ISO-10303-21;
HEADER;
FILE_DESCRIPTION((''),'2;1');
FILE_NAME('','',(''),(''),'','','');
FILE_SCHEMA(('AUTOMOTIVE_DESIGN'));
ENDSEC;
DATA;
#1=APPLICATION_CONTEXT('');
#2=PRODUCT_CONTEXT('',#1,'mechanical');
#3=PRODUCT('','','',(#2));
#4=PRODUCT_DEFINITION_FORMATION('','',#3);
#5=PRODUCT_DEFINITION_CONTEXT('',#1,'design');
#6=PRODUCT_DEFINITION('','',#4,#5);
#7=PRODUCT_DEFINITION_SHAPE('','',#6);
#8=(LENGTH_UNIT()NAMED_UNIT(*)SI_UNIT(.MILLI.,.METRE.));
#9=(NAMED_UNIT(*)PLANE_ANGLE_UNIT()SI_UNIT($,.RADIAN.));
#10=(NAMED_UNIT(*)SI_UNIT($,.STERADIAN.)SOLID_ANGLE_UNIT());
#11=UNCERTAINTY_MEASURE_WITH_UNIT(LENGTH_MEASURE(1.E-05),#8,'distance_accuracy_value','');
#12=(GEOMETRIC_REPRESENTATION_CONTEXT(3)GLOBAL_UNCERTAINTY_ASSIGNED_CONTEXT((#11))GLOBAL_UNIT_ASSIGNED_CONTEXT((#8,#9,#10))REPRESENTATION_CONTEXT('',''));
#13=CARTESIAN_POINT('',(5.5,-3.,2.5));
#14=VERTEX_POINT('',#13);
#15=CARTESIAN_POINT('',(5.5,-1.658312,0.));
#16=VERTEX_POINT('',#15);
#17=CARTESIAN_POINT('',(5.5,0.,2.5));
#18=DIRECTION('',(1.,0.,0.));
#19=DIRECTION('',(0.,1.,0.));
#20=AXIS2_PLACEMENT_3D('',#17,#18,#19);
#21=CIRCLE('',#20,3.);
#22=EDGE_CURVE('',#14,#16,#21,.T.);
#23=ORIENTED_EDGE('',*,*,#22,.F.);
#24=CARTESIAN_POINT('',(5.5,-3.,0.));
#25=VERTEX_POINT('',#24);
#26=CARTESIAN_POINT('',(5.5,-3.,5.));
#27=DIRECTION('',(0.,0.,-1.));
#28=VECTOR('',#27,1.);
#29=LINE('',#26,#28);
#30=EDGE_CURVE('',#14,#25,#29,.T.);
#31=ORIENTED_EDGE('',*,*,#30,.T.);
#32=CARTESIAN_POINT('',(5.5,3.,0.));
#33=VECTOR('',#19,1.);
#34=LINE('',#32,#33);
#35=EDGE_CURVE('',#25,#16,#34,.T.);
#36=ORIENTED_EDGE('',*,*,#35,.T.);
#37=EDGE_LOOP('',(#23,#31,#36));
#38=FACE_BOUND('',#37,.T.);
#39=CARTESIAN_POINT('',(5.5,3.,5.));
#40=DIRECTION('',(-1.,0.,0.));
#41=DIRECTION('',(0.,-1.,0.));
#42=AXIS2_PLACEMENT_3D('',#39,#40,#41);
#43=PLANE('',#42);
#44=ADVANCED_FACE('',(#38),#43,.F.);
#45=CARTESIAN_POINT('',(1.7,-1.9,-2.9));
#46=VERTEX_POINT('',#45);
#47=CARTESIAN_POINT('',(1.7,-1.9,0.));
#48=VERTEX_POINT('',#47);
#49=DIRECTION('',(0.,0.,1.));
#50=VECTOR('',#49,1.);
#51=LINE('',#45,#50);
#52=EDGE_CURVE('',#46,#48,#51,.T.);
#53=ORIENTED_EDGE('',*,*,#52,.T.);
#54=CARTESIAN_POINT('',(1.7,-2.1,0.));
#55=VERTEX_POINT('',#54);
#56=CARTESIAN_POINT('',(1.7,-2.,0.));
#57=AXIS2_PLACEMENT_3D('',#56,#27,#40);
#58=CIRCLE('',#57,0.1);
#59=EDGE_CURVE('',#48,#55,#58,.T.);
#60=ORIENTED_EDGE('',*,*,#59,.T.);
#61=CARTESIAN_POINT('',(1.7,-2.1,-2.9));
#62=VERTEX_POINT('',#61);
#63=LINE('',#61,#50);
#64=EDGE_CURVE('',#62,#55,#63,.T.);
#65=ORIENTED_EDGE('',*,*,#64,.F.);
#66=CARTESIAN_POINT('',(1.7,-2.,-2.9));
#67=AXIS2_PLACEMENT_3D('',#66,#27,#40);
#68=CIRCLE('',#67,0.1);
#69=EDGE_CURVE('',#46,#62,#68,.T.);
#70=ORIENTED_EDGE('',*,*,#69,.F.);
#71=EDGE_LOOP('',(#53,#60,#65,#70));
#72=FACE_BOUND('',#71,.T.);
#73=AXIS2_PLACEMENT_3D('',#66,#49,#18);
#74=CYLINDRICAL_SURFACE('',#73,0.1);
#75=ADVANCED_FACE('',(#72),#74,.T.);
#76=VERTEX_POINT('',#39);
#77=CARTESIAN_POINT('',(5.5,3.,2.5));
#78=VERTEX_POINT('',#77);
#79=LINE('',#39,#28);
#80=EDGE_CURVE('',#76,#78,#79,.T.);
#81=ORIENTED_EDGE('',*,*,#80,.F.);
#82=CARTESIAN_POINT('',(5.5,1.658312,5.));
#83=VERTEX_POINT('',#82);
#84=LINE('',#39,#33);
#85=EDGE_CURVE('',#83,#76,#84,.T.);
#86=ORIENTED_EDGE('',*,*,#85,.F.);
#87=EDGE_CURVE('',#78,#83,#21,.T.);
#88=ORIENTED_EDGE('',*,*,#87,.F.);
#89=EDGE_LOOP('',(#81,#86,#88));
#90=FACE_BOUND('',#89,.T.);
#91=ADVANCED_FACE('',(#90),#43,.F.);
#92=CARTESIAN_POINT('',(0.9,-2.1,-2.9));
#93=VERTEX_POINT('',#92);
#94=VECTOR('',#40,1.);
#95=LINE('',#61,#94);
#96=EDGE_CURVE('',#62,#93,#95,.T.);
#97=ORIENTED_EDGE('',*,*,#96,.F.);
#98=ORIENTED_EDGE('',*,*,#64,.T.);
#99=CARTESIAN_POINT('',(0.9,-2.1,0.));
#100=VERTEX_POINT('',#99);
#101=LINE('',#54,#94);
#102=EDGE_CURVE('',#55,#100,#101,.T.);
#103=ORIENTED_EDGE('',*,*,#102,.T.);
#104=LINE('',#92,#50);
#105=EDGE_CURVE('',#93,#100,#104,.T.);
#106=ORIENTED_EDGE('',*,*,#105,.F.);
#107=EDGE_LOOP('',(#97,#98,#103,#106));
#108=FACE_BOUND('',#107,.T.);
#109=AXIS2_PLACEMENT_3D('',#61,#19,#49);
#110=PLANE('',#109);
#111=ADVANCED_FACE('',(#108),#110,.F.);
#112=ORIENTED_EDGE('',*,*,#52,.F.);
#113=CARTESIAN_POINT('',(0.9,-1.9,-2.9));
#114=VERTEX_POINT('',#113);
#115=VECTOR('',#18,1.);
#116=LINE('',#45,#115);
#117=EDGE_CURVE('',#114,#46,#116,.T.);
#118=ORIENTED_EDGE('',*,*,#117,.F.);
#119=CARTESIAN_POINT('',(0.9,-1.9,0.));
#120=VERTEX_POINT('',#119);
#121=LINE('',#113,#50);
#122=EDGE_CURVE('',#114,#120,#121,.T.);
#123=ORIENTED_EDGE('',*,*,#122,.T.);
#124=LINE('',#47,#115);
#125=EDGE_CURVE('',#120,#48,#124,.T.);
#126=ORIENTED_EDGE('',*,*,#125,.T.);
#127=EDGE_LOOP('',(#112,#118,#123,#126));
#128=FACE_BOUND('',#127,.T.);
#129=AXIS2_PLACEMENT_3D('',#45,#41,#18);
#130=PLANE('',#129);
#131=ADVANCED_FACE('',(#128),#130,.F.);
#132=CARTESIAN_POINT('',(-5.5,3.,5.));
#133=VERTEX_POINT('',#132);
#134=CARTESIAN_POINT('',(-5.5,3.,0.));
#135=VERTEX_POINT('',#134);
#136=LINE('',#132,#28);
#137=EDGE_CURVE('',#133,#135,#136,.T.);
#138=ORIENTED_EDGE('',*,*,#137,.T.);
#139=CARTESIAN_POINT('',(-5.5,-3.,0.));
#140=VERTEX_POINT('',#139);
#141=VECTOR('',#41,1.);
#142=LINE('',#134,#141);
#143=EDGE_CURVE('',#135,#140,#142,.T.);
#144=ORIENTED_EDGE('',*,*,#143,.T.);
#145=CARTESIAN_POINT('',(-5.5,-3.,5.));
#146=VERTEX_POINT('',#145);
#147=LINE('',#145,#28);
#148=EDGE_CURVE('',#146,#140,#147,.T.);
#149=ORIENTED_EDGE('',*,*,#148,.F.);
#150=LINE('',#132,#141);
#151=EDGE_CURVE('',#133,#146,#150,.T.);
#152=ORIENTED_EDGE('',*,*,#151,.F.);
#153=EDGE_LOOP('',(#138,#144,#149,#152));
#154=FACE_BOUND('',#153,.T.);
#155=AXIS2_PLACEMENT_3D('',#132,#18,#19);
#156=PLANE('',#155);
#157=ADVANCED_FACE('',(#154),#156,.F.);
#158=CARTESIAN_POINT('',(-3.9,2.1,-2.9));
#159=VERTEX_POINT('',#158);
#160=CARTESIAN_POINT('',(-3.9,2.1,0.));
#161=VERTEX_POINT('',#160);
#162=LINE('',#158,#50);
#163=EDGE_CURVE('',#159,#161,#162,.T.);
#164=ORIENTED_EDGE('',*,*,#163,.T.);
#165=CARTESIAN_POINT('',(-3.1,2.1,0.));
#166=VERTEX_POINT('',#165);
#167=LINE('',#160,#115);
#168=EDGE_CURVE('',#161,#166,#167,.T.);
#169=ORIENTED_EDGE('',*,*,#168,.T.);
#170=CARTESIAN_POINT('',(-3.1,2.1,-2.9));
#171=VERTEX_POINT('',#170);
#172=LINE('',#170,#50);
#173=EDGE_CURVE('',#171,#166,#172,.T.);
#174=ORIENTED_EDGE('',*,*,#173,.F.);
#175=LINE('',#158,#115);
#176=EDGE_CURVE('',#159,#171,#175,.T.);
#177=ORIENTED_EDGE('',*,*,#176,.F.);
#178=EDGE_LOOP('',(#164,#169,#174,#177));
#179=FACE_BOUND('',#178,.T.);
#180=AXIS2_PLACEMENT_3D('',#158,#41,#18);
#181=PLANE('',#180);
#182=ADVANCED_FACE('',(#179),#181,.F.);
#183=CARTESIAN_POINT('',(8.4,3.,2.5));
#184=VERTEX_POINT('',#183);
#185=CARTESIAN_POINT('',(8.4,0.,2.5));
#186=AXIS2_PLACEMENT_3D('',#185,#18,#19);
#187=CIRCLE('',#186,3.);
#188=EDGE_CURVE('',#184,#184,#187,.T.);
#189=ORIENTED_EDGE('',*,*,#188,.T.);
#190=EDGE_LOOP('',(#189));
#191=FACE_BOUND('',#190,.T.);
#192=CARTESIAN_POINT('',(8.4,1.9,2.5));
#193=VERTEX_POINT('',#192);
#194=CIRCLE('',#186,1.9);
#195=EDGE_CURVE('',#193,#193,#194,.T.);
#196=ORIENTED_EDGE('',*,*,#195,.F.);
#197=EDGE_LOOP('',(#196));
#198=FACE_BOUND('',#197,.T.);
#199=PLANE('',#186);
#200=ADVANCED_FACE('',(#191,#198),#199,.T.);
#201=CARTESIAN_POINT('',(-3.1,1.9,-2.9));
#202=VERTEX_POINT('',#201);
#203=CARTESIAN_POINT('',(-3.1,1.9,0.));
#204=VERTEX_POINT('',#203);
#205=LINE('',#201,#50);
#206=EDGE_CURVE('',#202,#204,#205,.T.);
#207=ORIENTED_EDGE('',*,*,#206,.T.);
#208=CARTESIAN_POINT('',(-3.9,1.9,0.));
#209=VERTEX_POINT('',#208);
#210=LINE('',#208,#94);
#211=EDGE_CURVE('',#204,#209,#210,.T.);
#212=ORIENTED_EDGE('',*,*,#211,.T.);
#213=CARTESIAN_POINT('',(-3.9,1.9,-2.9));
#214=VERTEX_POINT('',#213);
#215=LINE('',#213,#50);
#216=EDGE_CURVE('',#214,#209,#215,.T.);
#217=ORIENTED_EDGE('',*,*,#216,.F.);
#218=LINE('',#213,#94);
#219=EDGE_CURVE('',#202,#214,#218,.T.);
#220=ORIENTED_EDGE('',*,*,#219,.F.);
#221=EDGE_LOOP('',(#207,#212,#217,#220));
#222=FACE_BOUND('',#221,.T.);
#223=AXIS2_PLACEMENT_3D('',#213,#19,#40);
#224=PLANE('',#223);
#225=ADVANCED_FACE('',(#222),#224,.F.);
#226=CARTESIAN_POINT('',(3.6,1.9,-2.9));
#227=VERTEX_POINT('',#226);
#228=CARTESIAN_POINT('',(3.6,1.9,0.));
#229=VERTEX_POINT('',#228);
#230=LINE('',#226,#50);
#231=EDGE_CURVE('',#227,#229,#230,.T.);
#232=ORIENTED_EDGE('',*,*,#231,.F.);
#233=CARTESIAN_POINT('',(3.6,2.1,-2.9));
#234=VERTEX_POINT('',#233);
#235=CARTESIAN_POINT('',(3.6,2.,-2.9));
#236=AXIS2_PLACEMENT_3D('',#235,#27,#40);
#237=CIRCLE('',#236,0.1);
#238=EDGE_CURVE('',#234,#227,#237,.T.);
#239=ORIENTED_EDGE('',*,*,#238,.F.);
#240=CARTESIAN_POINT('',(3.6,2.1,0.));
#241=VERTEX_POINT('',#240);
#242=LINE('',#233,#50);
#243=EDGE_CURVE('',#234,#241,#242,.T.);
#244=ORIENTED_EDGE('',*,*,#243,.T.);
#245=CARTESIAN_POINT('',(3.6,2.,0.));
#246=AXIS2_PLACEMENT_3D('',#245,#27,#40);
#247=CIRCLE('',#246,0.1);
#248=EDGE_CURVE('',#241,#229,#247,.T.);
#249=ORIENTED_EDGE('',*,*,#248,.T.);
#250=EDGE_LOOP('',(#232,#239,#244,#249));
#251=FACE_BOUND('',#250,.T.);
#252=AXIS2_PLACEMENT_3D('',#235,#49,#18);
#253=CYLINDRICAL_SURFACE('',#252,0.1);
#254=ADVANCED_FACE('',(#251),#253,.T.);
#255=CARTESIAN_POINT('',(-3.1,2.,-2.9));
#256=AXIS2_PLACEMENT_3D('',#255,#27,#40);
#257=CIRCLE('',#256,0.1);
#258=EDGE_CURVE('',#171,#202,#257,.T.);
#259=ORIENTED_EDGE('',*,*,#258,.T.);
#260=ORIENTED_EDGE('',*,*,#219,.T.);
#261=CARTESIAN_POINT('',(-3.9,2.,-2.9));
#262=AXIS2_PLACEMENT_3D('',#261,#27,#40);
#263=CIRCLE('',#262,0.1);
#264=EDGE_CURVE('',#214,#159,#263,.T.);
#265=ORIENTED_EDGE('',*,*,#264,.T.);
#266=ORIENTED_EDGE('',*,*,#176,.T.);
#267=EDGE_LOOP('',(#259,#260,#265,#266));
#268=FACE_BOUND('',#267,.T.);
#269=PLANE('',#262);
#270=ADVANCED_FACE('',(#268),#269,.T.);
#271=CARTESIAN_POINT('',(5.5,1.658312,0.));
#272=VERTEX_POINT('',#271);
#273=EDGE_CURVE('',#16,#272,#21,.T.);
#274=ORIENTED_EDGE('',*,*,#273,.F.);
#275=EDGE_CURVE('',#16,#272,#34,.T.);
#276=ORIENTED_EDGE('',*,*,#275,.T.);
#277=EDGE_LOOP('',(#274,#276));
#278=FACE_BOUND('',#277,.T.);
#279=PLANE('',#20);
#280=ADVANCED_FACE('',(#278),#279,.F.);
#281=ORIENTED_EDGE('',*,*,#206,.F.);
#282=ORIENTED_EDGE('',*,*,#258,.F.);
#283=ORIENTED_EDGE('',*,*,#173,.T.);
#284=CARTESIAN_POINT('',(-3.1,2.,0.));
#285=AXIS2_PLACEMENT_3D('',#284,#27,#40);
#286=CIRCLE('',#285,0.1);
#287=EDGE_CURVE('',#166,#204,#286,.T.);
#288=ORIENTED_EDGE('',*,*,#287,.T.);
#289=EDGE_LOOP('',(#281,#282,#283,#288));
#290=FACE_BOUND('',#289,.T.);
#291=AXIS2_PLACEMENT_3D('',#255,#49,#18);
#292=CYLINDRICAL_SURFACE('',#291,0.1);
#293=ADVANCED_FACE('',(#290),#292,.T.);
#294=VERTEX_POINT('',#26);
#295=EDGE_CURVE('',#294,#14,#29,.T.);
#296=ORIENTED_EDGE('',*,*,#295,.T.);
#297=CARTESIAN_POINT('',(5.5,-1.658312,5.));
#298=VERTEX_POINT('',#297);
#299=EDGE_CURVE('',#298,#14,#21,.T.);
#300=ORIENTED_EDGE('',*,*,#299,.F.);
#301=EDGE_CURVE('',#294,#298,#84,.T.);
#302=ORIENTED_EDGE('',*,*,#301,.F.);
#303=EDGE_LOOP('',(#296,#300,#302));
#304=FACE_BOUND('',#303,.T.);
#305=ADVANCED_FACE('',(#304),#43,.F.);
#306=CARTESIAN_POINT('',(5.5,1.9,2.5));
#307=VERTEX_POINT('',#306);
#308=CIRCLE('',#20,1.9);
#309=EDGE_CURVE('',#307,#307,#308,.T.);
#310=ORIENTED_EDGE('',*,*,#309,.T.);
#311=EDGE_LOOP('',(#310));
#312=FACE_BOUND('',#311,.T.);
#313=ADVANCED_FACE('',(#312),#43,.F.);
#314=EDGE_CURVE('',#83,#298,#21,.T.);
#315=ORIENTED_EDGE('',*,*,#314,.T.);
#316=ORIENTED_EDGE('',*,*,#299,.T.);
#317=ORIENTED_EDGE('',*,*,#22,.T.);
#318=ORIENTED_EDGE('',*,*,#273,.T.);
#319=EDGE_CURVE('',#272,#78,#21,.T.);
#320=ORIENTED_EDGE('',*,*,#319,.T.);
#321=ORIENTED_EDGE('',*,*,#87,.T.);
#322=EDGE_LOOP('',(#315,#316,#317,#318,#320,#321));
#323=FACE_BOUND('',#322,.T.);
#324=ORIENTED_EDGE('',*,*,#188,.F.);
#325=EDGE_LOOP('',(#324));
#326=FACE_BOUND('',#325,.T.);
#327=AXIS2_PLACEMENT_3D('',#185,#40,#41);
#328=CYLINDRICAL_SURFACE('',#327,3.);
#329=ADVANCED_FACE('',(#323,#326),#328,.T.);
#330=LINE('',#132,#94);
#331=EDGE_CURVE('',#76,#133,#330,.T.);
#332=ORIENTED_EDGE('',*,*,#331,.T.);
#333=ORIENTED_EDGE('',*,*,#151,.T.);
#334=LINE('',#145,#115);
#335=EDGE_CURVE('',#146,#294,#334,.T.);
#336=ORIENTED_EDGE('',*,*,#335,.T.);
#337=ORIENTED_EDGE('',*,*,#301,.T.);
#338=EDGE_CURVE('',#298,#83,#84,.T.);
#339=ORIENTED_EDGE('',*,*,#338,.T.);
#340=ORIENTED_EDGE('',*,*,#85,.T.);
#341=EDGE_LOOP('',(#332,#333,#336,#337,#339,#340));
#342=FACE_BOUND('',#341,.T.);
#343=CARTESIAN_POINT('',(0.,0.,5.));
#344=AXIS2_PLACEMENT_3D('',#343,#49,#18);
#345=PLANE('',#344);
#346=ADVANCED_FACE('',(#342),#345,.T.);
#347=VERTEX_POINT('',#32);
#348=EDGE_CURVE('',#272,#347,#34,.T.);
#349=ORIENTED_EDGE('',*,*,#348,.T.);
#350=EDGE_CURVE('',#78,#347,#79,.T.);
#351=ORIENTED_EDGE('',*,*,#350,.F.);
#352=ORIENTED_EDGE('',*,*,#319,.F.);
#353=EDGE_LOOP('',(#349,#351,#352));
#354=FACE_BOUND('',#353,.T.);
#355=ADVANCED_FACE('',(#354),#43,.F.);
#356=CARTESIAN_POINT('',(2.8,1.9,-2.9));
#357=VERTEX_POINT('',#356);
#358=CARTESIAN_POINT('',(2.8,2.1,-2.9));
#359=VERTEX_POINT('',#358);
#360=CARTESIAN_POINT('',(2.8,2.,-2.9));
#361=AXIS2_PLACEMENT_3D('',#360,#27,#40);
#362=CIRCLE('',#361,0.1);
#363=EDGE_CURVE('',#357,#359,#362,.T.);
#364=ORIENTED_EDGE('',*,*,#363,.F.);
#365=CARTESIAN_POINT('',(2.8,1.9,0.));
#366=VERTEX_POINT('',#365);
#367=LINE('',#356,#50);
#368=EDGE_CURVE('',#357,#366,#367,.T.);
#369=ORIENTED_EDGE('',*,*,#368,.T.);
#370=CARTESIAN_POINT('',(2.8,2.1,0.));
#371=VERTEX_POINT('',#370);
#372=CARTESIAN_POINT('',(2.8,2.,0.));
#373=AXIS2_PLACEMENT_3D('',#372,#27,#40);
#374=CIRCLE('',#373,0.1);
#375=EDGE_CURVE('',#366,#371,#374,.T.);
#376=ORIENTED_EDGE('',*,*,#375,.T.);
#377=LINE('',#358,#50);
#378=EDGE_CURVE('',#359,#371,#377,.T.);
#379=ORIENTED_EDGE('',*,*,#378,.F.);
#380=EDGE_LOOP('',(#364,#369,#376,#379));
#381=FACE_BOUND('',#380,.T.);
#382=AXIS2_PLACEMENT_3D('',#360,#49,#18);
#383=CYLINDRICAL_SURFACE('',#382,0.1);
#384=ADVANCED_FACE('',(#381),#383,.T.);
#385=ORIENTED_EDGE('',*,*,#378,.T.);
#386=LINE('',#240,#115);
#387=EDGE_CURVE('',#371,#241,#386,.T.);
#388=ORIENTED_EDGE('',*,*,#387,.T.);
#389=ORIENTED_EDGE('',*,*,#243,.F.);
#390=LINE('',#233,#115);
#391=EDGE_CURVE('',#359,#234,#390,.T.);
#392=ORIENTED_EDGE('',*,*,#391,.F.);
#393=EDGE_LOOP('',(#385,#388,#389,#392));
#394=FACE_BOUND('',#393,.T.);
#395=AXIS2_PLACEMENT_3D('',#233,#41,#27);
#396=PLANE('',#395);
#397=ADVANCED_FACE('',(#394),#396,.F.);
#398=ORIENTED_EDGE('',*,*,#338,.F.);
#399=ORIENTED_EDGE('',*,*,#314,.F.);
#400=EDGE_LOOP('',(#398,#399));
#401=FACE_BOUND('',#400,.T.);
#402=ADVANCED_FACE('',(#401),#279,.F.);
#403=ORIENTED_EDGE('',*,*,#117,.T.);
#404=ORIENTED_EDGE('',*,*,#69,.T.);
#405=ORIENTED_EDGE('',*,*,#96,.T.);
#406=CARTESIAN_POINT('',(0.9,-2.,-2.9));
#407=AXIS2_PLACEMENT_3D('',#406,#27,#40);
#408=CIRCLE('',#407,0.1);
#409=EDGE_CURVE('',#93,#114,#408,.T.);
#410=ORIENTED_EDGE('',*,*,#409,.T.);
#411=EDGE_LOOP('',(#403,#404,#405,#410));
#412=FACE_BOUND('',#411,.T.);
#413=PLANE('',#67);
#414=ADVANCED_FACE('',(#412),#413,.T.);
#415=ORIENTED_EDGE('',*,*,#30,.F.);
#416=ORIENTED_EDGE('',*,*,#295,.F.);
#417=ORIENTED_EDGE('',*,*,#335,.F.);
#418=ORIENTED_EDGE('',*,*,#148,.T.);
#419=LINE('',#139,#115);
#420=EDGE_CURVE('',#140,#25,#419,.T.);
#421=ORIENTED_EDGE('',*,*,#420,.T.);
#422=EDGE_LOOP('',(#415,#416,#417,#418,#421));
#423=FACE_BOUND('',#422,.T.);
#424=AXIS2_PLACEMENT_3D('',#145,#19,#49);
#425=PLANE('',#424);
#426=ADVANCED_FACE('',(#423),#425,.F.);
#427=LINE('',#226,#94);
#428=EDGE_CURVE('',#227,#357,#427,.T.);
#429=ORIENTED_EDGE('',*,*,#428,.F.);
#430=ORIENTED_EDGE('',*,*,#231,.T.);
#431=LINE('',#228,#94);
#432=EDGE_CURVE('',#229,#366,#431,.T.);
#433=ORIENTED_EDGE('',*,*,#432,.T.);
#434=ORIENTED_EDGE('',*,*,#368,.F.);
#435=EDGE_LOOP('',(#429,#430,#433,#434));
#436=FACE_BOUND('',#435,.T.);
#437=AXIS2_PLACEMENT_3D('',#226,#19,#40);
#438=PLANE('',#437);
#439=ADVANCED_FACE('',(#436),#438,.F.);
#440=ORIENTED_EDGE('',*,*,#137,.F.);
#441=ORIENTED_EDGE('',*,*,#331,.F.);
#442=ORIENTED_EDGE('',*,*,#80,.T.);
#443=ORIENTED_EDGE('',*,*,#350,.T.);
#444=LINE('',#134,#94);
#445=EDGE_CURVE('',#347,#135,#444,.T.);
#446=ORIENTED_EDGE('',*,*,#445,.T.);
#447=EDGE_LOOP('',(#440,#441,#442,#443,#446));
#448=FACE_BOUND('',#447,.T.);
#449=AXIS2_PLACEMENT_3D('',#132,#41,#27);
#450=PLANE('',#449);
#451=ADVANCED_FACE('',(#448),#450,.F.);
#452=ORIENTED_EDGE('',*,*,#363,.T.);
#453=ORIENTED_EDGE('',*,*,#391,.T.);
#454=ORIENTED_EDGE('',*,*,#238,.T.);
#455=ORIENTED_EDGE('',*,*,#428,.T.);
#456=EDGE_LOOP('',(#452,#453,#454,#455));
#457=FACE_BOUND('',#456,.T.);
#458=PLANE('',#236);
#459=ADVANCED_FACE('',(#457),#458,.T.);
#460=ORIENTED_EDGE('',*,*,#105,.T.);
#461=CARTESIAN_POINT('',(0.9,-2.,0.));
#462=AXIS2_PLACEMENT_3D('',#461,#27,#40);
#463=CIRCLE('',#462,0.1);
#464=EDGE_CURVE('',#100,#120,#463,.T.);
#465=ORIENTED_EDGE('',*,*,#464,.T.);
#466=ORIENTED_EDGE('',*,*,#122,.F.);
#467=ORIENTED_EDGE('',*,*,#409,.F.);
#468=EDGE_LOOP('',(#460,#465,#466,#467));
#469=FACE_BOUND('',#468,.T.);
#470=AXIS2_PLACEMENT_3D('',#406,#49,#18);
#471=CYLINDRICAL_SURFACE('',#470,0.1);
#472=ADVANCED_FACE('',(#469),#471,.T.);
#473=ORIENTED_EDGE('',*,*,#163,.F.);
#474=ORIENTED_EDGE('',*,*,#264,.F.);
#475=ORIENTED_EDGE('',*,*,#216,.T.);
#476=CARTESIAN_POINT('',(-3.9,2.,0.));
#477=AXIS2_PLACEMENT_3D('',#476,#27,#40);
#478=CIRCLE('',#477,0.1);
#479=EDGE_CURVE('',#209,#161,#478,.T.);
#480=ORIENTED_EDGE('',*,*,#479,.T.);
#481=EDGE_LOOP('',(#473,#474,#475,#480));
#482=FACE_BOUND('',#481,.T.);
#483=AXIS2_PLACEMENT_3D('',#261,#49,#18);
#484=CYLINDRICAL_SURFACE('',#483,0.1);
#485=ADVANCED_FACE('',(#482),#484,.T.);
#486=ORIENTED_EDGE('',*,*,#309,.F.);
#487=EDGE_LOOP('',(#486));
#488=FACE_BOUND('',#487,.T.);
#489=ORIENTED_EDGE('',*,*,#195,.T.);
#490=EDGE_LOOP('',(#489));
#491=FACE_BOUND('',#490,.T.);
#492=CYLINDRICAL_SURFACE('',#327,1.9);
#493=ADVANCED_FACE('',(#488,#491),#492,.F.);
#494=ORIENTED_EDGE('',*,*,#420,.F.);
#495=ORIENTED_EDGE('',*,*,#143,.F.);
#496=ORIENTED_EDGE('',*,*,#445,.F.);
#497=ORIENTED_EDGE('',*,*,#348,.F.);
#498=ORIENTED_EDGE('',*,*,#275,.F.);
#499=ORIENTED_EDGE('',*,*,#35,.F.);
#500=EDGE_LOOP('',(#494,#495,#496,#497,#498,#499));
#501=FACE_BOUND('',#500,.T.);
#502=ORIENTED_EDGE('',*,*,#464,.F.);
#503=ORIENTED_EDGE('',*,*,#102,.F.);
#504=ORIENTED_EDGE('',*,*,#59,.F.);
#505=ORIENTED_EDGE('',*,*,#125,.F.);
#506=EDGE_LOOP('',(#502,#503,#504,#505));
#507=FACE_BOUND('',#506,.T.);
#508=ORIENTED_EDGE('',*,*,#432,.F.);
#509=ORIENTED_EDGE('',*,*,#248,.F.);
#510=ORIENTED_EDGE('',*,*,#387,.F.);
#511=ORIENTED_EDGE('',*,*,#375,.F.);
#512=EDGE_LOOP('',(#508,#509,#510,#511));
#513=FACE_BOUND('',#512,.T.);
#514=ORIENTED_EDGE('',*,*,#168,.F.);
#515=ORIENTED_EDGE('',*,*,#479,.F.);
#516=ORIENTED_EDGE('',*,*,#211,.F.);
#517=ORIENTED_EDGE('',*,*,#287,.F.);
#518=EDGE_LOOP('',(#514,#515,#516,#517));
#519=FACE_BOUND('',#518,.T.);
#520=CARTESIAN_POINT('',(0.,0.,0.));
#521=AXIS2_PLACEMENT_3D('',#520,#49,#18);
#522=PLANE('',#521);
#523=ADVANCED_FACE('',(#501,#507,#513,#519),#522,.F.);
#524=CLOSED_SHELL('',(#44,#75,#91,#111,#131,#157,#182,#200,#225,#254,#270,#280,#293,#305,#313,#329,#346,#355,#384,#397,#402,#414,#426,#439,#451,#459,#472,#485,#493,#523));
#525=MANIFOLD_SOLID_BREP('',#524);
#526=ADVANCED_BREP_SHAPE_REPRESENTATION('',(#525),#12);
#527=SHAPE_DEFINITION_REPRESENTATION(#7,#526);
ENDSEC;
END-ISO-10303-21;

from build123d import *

# Parameters (mm, degrees)
SKETCH1_W           = 11
SKETCH1_H           = 6
BOSS_EXTRUDE1_DEPTH = 5
SKETCH2_R           = 3
SKETCH2_R_2         = 1.9
BOSS_EXTRUDE2_DEPTH = 2.9
BOSS_EXTRUDE3_DEPTH = 2.9


with BuildPart() as part:
    # Sketch1 → Boss-Extrude1 (new body)
    with BuildSketch(Plane.XY):
        Rectangle(SKETCH1_W, SKETCH1_H)
    extrude(amount=BOSS_EXTRUDE1_DEPTH)

    # Sketch2 → Boss-Extrude2 (add)
    with BuildSketch(Plane(origin=(5.5, 0, 0), x_dir=(0, 0, -1), z_dir=(1, 0, 0))):
        with Locations(Location((-2.5, 0, 0), (0, 0, 90))):
            Circle(SKETCH2_R)
        with Locations(Location((-2.5, 0, 0), (0, 0, 90))):
            Circle(SKETCH2_R_2, mode=Mode.SUBTRACT)
    extrude(amount=BOSS_EXTRUDE2_DEPTH)

    # Sketch3 → Boss-Extrude3 (add)
    with BuildSketch(Plane(origin=(0, 0, 0), x_dir=(-1, 0, 0), z_dir=(0, 0, -1))):
        with BuildLine():
            Line((-3.6, 2.1), (-2.8, 2.1))
            ThreePointArc((-2.8, 2.1), (-2.7, 2), (-2.8, 1.9))
            Line((-2.8, 1.9), (-3.6, 1.9))
            ThreePointArc((-3.6, 1.9), (-3.7, 2), (-3.6, 2.1))
        make_face()
        with BuildLine():
            Line((3.9, 1.9), (3.1, 1.9))
            ThreePointArc((3.1, 1.9), (3, 2), (3.1, 2.1))
            Line((3.1, 2.1), (3.9, 2.1))
            ThreePointArc((3.9, 2.1), (4, 2), (3.9, 1.9))
        make_face()
        with BuildLine():
            Line((-1.7, -1.9), (-0.9, -1.9))
            ThreePointArc((-0.9, -1.9), (-0.8, -2), (-0.9, -2.1))
            Line((-0.9, -2.1), (-1.7, -2.1))
            ThreePointArc((-1.7, -2.1), (-1.8, -2), (-1.7, -1.9))
        make_face()
    extrude(amount=BOSS_EXTRUDE3_DEPTH)


solid = part.part
